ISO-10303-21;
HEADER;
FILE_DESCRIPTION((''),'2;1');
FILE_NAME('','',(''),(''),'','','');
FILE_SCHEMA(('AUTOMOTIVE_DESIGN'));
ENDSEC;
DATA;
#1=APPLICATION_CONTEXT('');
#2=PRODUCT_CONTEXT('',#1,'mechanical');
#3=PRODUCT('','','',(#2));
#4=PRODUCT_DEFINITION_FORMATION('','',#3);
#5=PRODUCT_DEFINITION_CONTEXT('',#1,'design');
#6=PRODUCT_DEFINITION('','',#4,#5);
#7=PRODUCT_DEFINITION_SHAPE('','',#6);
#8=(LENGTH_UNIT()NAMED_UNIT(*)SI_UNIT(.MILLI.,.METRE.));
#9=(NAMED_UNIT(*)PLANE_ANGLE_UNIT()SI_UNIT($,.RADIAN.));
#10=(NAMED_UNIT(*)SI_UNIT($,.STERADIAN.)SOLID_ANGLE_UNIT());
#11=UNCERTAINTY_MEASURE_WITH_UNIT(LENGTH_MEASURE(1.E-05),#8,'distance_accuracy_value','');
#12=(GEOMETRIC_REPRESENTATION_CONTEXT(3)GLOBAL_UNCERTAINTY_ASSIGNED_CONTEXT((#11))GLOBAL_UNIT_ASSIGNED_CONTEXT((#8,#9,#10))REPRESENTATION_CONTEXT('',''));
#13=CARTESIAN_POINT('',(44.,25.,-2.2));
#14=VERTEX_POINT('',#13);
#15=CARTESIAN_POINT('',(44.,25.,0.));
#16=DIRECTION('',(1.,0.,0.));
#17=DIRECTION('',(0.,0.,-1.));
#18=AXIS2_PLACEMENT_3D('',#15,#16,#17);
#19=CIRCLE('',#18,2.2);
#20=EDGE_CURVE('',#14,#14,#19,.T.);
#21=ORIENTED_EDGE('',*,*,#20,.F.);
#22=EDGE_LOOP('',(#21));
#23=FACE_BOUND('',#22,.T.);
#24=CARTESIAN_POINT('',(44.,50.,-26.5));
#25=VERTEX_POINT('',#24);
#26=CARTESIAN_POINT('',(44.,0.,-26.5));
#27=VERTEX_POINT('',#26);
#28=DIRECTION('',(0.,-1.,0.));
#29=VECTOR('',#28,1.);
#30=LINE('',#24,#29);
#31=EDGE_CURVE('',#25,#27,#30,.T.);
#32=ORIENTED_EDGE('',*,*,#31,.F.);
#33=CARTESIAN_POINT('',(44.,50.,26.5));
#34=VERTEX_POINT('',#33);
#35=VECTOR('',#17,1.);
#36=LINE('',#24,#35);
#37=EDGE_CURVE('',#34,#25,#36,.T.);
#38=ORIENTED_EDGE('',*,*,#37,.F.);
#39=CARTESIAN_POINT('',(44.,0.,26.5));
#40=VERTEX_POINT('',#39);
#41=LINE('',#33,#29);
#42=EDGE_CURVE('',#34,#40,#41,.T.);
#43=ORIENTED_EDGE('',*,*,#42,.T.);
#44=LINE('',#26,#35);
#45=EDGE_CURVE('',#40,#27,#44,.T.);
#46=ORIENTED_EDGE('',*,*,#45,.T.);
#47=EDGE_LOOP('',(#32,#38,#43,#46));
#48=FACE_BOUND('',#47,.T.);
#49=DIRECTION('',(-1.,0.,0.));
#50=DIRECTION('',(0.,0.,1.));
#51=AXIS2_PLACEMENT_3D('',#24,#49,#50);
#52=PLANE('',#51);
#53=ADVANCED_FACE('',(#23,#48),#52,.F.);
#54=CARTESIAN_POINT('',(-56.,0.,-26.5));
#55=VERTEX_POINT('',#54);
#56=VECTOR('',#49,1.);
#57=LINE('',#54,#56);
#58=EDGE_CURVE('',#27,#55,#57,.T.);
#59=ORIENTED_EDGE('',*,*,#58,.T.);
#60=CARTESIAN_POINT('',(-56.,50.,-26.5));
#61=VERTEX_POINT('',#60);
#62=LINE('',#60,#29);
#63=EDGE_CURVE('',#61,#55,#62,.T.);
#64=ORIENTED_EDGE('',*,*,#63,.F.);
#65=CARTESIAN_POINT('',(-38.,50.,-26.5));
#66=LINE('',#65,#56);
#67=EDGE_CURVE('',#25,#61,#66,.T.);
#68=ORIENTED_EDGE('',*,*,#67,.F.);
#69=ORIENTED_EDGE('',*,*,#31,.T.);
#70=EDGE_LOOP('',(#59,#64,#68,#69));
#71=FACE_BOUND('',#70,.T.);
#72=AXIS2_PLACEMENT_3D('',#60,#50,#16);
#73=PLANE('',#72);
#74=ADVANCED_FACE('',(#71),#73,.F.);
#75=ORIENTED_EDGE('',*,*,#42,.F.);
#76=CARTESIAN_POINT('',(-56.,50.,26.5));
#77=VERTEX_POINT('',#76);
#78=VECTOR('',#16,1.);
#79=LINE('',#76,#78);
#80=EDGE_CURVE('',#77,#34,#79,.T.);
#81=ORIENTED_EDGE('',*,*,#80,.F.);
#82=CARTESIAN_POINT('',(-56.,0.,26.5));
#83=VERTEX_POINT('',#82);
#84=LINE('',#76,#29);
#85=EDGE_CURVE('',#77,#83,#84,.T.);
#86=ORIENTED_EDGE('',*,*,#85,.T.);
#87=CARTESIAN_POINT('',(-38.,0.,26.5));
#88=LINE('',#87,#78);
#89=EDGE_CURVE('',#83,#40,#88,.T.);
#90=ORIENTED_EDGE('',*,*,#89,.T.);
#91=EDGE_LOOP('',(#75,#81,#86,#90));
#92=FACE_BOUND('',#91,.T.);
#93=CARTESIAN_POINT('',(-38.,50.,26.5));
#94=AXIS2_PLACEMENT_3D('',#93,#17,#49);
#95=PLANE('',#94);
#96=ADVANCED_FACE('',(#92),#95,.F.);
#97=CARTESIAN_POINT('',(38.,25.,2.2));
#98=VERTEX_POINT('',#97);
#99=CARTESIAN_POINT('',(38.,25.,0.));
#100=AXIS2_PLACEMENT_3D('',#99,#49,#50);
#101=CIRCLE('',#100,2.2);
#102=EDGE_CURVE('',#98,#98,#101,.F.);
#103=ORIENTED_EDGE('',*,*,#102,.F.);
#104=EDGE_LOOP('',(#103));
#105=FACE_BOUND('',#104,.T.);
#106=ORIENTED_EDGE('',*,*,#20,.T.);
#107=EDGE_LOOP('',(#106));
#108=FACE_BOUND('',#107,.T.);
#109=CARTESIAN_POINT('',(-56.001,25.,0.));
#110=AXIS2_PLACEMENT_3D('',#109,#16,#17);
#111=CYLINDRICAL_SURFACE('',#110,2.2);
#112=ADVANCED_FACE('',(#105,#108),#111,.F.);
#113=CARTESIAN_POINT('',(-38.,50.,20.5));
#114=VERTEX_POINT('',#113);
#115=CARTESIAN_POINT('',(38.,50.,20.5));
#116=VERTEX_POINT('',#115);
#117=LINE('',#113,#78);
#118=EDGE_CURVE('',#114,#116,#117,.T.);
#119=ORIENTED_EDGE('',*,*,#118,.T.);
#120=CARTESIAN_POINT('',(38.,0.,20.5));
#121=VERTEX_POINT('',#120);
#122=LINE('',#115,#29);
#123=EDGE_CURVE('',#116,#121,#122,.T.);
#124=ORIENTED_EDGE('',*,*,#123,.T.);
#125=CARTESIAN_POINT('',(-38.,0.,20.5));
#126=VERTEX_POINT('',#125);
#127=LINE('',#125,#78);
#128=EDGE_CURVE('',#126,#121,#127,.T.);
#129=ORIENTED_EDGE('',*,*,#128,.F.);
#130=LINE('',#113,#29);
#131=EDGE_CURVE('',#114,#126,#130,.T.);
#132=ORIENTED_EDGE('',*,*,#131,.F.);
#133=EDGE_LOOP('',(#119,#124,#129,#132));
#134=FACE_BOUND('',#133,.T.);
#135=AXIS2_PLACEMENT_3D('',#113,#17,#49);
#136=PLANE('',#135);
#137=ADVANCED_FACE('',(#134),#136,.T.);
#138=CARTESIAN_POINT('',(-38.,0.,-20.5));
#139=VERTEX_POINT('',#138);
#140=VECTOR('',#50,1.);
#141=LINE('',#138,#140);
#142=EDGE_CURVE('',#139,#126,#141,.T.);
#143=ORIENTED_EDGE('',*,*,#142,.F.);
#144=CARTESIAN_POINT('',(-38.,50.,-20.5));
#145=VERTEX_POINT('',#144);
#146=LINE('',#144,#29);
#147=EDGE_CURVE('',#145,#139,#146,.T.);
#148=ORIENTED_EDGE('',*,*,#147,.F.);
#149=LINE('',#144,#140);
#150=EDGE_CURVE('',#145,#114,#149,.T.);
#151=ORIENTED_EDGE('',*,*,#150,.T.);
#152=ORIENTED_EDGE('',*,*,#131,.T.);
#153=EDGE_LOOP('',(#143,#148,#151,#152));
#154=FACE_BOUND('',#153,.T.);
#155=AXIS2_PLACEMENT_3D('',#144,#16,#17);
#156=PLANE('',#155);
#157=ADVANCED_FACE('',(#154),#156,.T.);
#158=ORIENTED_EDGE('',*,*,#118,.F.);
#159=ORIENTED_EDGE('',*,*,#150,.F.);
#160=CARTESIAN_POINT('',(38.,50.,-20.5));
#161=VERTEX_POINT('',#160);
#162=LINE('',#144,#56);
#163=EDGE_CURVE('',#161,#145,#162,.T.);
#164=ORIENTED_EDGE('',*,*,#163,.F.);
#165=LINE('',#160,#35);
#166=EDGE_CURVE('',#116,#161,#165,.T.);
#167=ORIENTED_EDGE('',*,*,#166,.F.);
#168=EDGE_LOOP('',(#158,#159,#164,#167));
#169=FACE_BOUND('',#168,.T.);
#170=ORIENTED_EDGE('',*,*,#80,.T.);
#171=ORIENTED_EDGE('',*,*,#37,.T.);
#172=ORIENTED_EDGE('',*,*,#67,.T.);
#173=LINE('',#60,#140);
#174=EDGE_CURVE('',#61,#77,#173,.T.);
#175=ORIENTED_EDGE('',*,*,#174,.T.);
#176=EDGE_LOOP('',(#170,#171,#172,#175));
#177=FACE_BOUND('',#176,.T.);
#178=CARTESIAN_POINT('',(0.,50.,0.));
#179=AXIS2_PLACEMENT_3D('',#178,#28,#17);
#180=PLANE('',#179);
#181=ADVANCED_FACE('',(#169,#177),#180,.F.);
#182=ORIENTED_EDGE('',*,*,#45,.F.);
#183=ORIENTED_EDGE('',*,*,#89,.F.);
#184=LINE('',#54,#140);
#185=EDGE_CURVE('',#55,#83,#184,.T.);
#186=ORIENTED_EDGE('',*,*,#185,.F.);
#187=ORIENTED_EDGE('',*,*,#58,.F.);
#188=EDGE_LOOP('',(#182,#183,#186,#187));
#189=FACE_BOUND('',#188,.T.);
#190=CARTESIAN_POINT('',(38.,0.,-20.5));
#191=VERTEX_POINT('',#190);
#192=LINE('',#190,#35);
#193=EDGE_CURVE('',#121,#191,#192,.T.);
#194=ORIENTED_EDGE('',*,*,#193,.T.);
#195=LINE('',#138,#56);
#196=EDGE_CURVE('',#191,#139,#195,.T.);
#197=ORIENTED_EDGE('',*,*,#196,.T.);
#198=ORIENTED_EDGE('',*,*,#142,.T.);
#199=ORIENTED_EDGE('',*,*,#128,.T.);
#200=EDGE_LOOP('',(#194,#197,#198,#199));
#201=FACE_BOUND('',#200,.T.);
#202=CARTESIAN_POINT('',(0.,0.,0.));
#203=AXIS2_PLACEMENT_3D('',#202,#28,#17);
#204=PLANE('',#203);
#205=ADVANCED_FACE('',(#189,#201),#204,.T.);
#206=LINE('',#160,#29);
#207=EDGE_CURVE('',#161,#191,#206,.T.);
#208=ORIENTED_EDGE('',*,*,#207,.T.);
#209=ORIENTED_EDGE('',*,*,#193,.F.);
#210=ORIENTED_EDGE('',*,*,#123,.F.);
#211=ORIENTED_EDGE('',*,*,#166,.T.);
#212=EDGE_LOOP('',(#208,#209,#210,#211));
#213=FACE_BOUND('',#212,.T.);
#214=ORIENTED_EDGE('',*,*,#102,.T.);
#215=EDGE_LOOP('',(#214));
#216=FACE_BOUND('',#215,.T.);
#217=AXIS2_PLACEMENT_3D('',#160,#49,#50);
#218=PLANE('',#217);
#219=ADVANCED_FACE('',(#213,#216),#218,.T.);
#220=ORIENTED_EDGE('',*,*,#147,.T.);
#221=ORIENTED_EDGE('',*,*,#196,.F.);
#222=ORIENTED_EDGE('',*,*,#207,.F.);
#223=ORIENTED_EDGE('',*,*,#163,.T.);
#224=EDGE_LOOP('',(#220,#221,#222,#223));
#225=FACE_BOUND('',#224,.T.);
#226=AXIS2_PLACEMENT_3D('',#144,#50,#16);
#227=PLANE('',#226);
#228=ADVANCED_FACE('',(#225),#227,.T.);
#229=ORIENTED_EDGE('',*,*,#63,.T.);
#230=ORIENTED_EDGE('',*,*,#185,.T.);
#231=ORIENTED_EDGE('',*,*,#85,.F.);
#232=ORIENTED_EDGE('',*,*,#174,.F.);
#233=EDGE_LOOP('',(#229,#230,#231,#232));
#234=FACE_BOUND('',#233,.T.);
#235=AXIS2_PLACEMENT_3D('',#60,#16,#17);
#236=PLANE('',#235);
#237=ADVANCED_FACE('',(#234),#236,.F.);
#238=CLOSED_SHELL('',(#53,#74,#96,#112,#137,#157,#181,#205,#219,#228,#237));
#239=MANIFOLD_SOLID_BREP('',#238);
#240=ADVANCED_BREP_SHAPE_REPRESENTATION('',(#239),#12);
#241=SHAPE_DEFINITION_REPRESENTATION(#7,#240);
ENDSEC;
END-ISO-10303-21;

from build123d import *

# Parameters (mm, degrees)
SKETCH_2_W          = 76
SKETCH_2_H          = 41
EXTRUDE_1_DEPTH     = 50
CUT_EXTRUDE_1_REACH = 102
SKETCH_3_R          = 2.2


with BuildPart() as part:
    # 草图2 → 凸台-拉伸1 (new body)
    with BuildSketch(Plane(origin=(0, 0, 0), x_dir=(1, 0, 0), z_dir=(0, 1, 0))):
        Polygon((-38, -26.5), (44, -26.5), (44, 26.5), (-38, 26.5), (-56, 26.5), (-56, -26.5), align=None)
        Rectangle(SKETCH_2_W, SKETCH_2_H, mode=Mode.SUBTRACT)
    extrude(amount=EXTRUDE_1_DEPTH)

    # 草图3 → 切除-拉伸1 (cut, up to next)
    with BuildSketch(Plane(origin=(44, 0, 0), x_dir=(0, 0, -1), z_dir=(1, 0, 0)), mode=Mode.PRIVATE) as cut_extrude_1_sk1:
        with Locations((0, 25)):
            Circle(SKETCH_3_R)
    cut_extrude_1_tool1 = extrude(cut_extrude_1_sk1.sketch, amount=-CUT_EXTRUDE_1_REACH, mode=Mode.PRIVATE) & part.part
    add(cut_extrude_1_tool1.solids().sort_by_distance((44, 25, 0))[0], mode=Mode.SUBTRACT)


solid = part.part
